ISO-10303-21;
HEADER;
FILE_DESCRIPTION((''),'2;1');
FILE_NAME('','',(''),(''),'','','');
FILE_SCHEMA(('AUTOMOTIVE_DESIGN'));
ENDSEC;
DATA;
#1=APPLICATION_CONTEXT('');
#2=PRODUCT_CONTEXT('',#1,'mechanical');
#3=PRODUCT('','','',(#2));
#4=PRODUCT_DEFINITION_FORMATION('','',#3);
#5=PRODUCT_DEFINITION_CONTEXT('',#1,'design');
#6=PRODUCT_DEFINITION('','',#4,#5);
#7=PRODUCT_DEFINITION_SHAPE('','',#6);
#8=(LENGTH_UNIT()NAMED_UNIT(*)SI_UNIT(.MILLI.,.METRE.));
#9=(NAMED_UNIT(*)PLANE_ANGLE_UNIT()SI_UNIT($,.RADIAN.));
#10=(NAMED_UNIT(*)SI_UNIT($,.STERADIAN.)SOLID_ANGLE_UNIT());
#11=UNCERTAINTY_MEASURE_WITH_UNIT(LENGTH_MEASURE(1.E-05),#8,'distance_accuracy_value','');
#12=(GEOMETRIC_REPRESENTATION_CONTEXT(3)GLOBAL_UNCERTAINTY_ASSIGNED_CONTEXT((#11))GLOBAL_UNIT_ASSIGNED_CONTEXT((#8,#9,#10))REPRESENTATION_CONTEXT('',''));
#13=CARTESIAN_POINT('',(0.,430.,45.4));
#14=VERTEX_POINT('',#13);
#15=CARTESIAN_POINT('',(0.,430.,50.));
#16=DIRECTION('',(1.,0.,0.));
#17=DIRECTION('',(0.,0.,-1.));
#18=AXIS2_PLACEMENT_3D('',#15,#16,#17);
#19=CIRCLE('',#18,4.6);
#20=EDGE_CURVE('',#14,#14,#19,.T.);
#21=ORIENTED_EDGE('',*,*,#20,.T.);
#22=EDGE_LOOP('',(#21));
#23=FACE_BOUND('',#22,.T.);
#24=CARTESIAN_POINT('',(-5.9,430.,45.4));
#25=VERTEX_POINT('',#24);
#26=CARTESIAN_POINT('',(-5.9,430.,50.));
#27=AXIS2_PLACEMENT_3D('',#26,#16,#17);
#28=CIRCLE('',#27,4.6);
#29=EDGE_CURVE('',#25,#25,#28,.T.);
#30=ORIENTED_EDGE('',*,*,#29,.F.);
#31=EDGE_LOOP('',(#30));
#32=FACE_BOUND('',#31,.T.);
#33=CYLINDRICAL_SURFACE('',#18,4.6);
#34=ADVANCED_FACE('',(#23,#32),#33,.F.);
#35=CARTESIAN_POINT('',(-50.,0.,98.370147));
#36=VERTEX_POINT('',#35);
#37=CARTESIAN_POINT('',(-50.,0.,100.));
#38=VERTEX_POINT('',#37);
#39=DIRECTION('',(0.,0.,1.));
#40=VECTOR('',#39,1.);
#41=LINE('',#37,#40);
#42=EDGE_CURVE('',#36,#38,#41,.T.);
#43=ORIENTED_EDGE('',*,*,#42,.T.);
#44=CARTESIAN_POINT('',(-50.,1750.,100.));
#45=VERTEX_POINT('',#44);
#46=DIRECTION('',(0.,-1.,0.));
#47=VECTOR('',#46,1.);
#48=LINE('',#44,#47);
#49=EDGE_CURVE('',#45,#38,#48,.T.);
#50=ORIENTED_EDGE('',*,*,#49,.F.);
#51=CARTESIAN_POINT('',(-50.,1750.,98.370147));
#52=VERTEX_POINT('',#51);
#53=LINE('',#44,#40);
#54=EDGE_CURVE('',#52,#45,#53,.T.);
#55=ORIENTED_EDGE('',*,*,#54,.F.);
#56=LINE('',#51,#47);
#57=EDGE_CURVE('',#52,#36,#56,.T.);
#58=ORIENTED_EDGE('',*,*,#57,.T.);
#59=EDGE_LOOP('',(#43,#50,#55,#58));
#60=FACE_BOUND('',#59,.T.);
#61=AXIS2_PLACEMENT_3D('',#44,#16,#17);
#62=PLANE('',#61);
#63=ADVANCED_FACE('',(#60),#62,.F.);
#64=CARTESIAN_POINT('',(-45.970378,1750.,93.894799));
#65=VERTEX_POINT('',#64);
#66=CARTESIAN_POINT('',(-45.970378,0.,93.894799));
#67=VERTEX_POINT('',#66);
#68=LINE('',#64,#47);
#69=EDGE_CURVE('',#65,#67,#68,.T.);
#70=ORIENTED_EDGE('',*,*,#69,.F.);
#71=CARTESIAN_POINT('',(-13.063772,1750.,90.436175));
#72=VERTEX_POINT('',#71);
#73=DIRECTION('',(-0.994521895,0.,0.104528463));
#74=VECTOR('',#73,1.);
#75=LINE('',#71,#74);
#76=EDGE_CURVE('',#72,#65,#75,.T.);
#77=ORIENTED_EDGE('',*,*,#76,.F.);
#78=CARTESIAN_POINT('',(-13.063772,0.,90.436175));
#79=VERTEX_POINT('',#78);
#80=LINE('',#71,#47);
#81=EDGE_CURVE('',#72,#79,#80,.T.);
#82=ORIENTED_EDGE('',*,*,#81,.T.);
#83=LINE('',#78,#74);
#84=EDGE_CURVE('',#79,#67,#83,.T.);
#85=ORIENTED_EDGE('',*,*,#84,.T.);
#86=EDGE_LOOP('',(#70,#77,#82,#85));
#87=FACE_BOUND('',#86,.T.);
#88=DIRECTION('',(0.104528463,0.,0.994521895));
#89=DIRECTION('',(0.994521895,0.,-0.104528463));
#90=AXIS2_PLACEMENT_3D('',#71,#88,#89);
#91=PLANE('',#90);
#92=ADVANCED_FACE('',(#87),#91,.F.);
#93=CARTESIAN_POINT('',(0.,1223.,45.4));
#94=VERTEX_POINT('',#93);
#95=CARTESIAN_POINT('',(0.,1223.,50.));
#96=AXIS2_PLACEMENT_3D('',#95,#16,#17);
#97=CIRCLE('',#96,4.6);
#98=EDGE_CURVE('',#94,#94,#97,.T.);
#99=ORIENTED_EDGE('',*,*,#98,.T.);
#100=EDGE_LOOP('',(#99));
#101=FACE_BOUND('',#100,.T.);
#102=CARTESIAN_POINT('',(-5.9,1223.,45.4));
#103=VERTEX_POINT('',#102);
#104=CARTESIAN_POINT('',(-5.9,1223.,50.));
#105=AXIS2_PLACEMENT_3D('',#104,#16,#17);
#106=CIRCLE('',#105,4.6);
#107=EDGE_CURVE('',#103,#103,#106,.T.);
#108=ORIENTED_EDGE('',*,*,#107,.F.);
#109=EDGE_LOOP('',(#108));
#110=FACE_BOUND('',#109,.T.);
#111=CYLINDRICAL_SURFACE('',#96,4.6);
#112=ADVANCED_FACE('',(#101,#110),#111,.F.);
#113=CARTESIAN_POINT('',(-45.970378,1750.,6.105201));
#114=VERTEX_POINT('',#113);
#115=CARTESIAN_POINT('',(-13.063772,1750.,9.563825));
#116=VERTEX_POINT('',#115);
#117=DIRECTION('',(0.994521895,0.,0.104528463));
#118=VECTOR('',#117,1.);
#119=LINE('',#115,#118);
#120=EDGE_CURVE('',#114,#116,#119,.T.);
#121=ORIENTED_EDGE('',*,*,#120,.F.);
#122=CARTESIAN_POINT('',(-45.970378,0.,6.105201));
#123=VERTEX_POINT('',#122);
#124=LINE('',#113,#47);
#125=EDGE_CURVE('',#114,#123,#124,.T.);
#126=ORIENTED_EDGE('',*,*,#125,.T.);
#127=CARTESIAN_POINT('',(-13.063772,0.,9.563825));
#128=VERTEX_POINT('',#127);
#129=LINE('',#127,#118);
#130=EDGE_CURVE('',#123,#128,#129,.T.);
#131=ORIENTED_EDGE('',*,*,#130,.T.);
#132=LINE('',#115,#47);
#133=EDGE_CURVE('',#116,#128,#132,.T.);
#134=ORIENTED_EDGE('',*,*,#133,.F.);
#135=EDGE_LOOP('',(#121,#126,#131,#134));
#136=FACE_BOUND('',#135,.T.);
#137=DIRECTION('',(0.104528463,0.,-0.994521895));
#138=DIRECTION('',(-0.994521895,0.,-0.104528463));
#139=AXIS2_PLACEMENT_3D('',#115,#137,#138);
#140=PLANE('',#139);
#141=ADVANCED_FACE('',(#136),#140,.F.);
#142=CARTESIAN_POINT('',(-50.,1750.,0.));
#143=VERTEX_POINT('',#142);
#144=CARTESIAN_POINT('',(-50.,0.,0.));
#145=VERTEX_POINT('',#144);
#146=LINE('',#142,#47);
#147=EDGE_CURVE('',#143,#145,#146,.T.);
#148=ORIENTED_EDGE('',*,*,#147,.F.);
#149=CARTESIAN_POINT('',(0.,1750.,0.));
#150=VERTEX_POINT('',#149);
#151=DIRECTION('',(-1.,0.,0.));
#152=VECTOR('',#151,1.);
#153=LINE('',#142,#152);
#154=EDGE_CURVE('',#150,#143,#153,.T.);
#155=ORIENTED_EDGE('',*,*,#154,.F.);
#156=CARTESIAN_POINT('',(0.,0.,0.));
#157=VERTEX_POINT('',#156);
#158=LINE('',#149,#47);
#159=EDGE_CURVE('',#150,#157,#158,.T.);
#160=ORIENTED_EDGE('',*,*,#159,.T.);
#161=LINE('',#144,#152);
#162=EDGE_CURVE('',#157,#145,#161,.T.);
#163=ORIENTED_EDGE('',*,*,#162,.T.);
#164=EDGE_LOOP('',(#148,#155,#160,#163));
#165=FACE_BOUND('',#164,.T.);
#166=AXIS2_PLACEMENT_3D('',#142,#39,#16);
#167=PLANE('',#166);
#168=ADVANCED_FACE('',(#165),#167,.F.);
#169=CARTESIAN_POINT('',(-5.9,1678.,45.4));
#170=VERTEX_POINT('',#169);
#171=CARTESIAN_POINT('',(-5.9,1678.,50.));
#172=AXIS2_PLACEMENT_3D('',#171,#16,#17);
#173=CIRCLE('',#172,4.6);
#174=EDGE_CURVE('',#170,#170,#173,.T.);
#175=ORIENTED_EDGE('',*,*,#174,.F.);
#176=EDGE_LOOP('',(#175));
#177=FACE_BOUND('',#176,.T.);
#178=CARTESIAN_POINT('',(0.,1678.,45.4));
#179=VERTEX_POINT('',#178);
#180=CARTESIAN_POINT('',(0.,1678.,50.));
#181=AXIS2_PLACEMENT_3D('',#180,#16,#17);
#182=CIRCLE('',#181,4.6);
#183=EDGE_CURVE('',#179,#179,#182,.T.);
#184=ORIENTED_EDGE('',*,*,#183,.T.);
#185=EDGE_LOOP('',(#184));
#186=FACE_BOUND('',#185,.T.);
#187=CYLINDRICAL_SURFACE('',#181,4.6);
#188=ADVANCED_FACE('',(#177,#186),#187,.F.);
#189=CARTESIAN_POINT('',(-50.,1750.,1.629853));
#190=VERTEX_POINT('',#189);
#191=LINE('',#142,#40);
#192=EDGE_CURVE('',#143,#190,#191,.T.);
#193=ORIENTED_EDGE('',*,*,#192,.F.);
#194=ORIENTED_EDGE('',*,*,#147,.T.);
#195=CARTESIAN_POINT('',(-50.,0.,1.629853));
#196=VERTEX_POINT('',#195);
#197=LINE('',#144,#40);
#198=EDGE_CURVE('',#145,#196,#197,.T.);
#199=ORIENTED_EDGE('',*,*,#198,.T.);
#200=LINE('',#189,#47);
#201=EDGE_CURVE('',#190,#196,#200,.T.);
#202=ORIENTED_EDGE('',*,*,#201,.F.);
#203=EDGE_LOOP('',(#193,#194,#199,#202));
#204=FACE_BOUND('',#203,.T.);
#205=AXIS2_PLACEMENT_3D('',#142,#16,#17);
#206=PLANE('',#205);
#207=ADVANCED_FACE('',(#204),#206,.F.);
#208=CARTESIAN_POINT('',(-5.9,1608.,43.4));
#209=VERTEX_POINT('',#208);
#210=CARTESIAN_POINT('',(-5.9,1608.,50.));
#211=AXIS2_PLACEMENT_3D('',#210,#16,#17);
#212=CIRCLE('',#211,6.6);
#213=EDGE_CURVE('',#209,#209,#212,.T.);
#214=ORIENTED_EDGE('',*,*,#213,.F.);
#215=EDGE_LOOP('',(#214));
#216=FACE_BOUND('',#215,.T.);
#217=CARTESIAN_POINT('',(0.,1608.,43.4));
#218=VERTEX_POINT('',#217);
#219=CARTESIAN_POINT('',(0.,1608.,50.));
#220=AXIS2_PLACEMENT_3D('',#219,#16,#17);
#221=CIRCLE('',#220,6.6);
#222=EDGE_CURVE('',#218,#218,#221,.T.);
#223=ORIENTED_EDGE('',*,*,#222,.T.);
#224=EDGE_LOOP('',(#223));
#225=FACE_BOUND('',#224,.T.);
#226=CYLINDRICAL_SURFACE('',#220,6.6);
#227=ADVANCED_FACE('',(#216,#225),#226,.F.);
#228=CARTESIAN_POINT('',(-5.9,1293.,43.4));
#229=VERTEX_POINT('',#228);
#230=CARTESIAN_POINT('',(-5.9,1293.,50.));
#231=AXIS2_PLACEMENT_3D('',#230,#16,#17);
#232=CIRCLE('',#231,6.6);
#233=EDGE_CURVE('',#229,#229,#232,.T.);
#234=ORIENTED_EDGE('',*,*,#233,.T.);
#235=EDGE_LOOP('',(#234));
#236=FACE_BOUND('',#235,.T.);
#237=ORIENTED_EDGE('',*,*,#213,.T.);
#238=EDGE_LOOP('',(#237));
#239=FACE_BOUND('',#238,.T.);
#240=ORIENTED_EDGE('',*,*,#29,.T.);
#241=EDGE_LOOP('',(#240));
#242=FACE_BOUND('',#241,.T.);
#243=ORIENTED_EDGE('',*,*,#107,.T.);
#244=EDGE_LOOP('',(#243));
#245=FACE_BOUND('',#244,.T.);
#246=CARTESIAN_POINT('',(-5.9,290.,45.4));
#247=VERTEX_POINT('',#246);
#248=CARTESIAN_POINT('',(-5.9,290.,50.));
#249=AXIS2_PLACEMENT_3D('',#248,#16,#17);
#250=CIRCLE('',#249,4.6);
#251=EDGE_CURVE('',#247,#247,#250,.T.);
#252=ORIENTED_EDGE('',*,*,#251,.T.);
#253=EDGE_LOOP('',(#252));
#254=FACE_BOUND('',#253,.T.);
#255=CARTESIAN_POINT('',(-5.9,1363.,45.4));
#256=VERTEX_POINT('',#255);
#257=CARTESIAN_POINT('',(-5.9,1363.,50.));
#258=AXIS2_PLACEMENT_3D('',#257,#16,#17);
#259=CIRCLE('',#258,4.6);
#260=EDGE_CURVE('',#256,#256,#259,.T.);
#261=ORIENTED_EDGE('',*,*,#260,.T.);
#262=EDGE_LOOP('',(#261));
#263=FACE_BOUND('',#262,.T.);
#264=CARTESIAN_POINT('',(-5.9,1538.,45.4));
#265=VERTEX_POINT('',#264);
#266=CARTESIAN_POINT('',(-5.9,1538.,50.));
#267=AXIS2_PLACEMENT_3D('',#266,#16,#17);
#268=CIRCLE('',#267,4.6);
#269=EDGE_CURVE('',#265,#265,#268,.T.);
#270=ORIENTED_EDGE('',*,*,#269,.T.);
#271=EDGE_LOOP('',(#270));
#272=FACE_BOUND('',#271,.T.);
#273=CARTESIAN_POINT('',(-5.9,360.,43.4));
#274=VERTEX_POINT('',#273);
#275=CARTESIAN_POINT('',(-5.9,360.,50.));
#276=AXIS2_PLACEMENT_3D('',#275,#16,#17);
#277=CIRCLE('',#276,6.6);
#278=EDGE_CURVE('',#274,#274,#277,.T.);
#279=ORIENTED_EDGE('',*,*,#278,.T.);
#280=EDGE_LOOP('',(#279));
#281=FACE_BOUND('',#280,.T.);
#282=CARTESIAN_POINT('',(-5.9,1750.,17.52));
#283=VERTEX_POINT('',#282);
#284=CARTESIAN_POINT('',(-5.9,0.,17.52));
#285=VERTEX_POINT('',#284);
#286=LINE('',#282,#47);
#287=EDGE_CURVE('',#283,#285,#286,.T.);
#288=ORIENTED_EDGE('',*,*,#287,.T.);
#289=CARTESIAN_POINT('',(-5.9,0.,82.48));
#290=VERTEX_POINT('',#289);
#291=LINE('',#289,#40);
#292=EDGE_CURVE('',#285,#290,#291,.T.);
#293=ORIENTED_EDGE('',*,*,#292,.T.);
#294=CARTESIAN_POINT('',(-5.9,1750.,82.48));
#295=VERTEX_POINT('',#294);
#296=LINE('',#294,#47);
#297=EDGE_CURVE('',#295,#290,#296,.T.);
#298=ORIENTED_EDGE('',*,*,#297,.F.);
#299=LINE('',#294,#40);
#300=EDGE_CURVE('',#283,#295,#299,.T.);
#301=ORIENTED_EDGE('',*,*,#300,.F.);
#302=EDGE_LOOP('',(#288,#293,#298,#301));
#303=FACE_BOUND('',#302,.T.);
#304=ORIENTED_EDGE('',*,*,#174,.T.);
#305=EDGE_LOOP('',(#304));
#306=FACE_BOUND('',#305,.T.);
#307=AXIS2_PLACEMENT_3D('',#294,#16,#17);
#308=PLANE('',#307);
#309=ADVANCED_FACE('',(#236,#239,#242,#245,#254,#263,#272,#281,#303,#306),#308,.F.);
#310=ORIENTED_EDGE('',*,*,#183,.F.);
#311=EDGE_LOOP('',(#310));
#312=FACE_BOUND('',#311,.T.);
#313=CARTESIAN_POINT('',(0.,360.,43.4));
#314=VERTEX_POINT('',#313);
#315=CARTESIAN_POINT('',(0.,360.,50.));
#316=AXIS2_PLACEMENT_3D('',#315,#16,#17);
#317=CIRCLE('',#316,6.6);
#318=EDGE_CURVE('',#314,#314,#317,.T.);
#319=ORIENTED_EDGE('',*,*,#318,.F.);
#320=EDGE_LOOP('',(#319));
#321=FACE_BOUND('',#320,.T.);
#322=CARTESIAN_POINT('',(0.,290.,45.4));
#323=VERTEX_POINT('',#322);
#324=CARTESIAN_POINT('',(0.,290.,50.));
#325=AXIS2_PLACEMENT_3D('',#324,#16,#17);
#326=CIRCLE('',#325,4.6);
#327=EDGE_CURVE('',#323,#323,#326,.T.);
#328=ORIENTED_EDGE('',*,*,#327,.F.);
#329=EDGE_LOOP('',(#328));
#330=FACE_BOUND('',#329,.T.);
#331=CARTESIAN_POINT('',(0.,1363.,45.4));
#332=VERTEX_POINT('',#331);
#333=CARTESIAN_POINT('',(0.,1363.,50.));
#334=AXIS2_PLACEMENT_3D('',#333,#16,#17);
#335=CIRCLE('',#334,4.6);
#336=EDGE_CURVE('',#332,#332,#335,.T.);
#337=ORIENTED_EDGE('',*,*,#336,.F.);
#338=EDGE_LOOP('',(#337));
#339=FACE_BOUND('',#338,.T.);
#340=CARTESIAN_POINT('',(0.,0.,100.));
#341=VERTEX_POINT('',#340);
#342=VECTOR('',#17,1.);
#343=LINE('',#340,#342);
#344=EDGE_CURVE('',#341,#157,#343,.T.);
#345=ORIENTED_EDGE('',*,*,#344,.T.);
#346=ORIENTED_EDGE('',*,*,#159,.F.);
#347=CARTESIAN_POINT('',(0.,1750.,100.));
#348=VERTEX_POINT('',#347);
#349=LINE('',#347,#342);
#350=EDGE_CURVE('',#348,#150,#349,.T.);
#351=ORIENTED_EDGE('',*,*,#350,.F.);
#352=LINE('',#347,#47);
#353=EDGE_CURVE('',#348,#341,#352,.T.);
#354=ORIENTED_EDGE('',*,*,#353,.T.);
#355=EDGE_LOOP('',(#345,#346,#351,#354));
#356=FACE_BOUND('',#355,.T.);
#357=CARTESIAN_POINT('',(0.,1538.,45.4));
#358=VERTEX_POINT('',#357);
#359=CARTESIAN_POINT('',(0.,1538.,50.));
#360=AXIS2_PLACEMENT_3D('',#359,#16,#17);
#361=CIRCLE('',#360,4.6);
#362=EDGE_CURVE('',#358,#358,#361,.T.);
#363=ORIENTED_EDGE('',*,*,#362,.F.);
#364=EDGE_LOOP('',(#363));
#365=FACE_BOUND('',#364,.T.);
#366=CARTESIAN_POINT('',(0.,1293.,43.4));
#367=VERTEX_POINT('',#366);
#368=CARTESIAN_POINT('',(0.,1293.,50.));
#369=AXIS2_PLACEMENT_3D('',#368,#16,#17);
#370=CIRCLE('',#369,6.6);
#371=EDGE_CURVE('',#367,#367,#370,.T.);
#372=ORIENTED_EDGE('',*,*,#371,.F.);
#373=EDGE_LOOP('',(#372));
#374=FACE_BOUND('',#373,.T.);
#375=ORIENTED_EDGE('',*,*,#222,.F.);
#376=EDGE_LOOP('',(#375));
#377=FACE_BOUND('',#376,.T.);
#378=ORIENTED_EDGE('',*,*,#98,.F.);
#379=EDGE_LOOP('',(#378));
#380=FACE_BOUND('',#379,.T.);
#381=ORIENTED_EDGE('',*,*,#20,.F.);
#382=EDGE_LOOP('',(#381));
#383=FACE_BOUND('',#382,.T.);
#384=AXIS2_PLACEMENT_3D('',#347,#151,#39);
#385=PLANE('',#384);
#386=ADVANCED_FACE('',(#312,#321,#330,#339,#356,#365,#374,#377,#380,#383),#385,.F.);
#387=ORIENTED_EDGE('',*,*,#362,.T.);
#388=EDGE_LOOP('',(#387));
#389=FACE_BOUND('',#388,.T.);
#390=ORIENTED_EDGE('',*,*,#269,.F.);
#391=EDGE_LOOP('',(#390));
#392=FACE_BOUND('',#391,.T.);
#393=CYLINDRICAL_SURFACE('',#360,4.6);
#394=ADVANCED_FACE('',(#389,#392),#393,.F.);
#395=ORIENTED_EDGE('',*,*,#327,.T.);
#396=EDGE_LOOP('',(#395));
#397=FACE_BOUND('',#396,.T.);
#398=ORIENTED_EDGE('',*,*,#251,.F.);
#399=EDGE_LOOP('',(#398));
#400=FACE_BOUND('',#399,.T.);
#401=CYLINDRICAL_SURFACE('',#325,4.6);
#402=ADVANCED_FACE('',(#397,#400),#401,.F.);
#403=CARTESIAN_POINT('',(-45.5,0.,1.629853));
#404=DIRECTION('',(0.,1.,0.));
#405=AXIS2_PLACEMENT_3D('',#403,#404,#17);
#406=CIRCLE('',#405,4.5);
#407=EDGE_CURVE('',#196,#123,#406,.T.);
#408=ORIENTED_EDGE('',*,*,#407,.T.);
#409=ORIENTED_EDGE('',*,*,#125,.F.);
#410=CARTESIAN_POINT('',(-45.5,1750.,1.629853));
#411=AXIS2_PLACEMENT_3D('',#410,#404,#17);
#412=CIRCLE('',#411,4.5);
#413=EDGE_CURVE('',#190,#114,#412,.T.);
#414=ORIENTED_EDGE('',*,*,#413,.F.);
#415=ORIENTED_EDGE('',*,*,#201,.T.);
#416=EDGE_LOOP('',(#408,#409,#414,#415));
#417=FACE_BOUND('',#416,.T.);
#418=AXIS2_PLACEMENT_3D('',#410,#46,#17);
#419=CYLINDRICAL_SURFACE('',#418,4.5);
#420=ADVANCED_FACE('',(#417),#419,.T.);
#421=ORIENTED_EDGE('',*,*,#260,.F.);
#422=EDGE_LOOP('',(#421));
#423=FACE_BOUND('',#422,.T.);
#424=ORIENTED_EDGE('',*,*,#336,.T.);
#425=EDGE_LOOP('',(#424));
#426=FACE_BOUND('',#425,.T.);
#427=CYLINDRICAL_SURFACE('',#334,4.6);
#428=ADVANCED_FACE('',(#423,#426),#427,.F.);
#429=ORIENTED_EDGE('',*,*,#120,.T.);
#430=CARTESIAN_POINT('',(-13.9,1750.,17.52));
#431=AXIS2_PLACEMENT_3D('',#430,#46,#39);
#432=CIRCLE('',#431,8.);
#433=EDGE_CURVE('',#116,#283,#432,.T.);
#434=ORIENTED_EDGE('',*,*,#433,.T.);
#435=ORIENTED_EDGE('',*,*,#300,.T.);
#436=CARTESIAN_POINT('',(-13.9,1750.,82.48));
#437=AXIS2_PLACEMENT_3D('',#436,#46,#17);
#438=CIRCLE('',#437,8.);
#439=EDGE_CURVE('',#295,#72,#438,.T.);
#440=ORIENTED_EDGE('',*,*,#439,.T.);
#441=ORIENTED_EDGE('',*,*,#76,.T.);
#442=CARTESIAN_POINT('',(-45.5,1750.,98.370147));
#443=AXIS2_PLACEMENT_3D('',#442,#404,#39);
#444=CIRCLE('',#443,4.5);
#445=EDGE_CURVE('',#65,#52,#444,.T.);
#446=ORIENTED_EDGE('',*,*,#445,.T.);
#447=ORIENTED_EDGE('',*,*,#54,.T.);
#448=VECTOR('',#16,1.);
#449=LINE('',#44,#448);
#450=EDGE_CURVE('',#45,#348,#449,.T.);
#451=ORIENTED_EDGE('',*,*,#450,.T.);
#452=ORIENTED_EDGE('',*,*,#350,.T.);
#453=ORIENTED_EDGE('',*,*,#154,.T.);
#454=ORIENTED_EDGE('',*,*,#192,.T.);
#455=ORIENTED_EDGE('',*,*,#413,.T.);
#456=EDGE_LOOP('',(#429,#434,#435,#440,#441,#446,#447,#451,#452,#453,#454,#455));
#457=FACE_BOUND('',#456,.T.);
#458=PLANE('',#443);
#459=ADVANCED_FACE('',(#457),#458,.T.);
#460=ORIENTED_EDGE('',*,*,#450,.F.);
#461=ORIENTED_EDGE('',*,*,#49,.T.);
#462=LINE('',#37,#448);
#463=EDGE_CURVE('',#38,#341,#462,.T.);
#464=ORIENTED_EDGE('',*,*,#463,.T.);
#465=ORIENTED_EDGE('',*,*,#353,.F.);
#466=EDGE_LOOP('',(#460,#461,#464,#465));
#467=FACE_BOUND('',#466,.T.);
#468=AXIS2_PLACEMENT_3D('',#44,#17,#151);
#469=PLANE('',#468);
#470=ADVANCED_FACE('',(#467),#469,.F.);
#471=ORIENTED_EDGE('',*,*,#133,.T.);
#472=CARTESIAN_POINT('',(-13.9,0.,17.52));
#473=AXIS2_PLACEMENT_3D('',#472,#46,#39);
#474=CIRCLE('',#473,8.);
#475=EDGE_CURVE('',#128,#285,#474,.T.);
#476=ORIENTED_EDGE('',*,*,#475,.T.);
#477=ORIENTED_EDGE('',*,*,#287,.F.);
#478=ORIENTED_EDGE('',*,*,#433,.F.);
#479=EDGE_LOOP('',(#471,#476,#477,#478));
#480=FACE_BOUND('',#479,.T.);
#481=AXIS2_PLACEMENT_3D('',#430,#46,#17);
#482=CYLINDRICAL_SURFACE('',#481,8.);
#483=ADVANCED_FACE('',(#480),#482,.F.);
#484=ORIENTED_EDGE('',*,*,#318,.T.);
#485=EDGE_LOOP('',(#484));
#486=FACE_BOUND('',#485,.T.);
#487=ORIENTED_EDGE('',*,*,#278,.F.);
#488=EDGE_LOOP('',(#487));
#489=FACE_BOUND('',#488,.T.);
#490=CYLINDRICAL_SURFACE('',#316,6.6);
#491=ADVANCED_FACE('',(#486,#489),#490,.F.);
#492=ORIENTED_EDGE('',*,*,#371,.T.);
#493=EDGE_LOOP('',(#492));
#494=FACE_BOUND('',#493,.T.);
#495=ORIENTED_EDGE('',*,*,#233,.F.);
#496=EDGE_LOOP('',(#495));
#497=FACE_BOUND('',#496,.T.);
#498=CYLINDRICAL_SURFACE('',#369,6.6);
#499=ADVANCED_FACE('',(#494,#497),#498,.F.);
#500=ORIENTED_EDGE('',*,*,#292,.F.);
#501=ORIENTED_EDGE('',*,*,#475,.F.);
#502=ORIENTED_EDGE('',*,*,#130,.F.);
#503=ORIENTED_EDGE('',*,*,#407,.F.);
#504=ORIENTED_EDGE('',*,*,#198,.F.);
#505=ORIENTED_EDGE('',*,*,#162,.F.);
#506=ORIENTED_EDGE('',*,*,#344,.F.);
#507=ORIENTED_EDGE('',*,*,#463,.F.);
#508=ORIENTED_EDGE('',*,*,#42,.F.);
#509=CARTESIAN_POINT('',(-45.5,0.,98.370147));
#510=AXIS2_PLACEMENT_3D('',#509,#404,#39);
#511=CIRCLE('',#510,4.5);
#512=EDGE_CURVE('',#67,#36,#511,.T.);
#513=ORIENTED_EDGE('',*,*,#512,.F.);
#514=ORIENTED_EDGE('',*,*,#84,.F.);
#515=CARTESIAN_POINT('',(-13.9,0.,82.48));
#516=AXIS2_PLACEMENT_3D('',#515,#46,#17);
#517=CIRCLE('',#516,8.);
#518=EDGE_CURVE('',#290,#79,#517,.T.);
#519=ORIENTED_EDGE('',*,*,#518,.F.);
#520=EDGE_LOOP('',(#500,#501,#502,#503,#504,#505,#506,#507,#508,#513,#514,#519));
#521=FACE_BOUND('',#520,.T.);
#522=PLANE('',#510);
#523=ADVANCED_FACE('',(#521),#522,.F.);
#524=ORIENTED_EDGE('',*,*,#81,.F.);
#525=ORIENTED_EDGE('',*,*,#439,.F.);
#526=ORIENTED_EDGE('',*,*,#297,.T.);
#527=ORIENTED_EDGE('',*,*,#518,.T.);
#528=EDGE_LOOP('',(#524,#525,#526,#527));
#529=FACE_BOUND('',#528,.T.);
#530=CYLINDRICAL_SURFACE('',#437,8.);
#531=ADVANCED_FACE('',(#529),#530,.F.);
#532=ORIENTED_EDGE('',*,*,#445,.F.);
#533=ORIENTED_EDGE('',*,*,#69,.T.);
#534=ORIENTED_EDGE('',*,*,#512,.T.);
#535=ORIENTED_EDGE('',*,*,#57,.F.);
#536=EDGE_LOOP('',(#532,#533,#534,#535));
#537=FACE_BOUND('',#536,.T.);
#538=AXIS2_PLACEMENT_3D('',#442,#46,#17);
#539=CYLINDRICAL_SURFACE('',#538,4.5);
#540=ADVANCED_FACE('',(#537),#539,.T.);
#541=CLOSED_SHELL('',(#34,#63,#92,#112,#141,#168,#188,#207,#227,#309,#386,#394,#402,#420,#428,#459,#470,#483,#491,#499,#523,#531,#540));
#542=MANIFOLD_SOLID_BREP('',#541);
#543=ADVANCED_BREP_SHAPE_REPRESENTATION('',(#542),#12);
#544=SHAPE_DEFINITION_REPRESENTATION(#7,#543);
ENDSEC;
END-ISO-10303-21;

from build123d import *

# Parameters (mm, degrees)
CEOWNIK_C_100_X_10_1_DEPTH = 1750
OTW_R_13_2_13_2_1_D        = 13.2
OTW_R_13_2_13_2_1_DEPTH    = 51.034319914
OTW_R_13_2_13_2_1_TIP      = 3.965680086
OTW_R_9_2_9_2_1_D          = 9.2
OTW_R_9_2_9_2_1_DEPTH      = 52.236041152
OTW_R_9_2_9_2_1_TIP        = 2.763958848


with BuildPart() as part:
    # Sketch1 → Ceownik c 100 X 10(1) (new body)
    with BuildSketch(Plane(origin=(0, 0, 0), x_dir=(-1, 0, 0), z_dir=(0, 1, 0))):
        with BuildLine():
            Line((50, 100), (0, 100))
            Line((0, 100), (0, 0))
            Line((0, 0), (50, 0))
            Line((50, 0), (50, 1.629852671))
            ThreePointArc((50, 1.629852671), (48.844151715, 4.6409404), (45.970378085, 6.1052012))
            Line((45.970378085, 6.1052012), (13.063772294, 9.563824837))
            ThreePointArc((13.063772294, 9.563824837), (7.954841396, 12.166955149), (5.9, 17.52))
            Line((5.9, 17.52), (5.9, 82.48))
            ThreePointArc((5.9, 82.48), (7.954841396, 87.833044851), (13.063772294, 90.436175163))
            Line((13.063772294, 90.436175163), (45.970378085, 93.8947988))
            ThreePointArc((45.970378085, 93.8947988), (48.844151715, 95.3590596), (50, 98.370147329))
            Line((50, 98.370147329), (50, 100))
        make_face()
    extrude(amount=CEOWNIK_C_100_X_10_1_DEPTH)

    # Otwór Ø13.2 (13.2)1
    with Locations(Plane(origin=(0, 1608, 50), x_dir=(0, 0, 1), z_dir=(1, 0, 0))):
        with Locations((0, 0), (0, 315), (0, 1248)):
            Hole(OTW_R_13_2_13_2_1_D / 2, depth=OTW_R_13_2_13_2_1_DEPTH)
            with Locations((0, 0, -(OTW_R_13_2_13_2_1_DEPTH + OTW_R_13_2_13_2_1_TIP / 2))):  # 118° drill point
                Cone(0, OTW_R_13_2_13_2_1_D / 2, OTW_R_13_2_13_2_1_TIP, mode=Mode.SUBTRACT)

    # Otwór Ø9.2 (9.2)1
    with Locations(Plane(origin=(0, 1538, 50), x_dir=(0, 0, 1), z_dir=(1, 0, 0))):
        with Locations((0, 0), (0, -140), (0, 175), (0, 315), (0, 1108), (0, 1248)):
            Hole(OTW_R_9_2_9_2_1_D / 2, depth=OTW_R_9_2_9_2_1_DEPTH)
            with Locations((0, 0, -(OTW_R_9_2_9_2_1_DEPTH + OTW_R_9_2_9_2_1_TIP / 2))):  # 118° drill point
                Cone(0, OTW_R_9_2_9_2_1_D / 2, OTW_R_9_2_9_2_1_TIP, mode=Mode.SUBTRACT)


solid = part.part
